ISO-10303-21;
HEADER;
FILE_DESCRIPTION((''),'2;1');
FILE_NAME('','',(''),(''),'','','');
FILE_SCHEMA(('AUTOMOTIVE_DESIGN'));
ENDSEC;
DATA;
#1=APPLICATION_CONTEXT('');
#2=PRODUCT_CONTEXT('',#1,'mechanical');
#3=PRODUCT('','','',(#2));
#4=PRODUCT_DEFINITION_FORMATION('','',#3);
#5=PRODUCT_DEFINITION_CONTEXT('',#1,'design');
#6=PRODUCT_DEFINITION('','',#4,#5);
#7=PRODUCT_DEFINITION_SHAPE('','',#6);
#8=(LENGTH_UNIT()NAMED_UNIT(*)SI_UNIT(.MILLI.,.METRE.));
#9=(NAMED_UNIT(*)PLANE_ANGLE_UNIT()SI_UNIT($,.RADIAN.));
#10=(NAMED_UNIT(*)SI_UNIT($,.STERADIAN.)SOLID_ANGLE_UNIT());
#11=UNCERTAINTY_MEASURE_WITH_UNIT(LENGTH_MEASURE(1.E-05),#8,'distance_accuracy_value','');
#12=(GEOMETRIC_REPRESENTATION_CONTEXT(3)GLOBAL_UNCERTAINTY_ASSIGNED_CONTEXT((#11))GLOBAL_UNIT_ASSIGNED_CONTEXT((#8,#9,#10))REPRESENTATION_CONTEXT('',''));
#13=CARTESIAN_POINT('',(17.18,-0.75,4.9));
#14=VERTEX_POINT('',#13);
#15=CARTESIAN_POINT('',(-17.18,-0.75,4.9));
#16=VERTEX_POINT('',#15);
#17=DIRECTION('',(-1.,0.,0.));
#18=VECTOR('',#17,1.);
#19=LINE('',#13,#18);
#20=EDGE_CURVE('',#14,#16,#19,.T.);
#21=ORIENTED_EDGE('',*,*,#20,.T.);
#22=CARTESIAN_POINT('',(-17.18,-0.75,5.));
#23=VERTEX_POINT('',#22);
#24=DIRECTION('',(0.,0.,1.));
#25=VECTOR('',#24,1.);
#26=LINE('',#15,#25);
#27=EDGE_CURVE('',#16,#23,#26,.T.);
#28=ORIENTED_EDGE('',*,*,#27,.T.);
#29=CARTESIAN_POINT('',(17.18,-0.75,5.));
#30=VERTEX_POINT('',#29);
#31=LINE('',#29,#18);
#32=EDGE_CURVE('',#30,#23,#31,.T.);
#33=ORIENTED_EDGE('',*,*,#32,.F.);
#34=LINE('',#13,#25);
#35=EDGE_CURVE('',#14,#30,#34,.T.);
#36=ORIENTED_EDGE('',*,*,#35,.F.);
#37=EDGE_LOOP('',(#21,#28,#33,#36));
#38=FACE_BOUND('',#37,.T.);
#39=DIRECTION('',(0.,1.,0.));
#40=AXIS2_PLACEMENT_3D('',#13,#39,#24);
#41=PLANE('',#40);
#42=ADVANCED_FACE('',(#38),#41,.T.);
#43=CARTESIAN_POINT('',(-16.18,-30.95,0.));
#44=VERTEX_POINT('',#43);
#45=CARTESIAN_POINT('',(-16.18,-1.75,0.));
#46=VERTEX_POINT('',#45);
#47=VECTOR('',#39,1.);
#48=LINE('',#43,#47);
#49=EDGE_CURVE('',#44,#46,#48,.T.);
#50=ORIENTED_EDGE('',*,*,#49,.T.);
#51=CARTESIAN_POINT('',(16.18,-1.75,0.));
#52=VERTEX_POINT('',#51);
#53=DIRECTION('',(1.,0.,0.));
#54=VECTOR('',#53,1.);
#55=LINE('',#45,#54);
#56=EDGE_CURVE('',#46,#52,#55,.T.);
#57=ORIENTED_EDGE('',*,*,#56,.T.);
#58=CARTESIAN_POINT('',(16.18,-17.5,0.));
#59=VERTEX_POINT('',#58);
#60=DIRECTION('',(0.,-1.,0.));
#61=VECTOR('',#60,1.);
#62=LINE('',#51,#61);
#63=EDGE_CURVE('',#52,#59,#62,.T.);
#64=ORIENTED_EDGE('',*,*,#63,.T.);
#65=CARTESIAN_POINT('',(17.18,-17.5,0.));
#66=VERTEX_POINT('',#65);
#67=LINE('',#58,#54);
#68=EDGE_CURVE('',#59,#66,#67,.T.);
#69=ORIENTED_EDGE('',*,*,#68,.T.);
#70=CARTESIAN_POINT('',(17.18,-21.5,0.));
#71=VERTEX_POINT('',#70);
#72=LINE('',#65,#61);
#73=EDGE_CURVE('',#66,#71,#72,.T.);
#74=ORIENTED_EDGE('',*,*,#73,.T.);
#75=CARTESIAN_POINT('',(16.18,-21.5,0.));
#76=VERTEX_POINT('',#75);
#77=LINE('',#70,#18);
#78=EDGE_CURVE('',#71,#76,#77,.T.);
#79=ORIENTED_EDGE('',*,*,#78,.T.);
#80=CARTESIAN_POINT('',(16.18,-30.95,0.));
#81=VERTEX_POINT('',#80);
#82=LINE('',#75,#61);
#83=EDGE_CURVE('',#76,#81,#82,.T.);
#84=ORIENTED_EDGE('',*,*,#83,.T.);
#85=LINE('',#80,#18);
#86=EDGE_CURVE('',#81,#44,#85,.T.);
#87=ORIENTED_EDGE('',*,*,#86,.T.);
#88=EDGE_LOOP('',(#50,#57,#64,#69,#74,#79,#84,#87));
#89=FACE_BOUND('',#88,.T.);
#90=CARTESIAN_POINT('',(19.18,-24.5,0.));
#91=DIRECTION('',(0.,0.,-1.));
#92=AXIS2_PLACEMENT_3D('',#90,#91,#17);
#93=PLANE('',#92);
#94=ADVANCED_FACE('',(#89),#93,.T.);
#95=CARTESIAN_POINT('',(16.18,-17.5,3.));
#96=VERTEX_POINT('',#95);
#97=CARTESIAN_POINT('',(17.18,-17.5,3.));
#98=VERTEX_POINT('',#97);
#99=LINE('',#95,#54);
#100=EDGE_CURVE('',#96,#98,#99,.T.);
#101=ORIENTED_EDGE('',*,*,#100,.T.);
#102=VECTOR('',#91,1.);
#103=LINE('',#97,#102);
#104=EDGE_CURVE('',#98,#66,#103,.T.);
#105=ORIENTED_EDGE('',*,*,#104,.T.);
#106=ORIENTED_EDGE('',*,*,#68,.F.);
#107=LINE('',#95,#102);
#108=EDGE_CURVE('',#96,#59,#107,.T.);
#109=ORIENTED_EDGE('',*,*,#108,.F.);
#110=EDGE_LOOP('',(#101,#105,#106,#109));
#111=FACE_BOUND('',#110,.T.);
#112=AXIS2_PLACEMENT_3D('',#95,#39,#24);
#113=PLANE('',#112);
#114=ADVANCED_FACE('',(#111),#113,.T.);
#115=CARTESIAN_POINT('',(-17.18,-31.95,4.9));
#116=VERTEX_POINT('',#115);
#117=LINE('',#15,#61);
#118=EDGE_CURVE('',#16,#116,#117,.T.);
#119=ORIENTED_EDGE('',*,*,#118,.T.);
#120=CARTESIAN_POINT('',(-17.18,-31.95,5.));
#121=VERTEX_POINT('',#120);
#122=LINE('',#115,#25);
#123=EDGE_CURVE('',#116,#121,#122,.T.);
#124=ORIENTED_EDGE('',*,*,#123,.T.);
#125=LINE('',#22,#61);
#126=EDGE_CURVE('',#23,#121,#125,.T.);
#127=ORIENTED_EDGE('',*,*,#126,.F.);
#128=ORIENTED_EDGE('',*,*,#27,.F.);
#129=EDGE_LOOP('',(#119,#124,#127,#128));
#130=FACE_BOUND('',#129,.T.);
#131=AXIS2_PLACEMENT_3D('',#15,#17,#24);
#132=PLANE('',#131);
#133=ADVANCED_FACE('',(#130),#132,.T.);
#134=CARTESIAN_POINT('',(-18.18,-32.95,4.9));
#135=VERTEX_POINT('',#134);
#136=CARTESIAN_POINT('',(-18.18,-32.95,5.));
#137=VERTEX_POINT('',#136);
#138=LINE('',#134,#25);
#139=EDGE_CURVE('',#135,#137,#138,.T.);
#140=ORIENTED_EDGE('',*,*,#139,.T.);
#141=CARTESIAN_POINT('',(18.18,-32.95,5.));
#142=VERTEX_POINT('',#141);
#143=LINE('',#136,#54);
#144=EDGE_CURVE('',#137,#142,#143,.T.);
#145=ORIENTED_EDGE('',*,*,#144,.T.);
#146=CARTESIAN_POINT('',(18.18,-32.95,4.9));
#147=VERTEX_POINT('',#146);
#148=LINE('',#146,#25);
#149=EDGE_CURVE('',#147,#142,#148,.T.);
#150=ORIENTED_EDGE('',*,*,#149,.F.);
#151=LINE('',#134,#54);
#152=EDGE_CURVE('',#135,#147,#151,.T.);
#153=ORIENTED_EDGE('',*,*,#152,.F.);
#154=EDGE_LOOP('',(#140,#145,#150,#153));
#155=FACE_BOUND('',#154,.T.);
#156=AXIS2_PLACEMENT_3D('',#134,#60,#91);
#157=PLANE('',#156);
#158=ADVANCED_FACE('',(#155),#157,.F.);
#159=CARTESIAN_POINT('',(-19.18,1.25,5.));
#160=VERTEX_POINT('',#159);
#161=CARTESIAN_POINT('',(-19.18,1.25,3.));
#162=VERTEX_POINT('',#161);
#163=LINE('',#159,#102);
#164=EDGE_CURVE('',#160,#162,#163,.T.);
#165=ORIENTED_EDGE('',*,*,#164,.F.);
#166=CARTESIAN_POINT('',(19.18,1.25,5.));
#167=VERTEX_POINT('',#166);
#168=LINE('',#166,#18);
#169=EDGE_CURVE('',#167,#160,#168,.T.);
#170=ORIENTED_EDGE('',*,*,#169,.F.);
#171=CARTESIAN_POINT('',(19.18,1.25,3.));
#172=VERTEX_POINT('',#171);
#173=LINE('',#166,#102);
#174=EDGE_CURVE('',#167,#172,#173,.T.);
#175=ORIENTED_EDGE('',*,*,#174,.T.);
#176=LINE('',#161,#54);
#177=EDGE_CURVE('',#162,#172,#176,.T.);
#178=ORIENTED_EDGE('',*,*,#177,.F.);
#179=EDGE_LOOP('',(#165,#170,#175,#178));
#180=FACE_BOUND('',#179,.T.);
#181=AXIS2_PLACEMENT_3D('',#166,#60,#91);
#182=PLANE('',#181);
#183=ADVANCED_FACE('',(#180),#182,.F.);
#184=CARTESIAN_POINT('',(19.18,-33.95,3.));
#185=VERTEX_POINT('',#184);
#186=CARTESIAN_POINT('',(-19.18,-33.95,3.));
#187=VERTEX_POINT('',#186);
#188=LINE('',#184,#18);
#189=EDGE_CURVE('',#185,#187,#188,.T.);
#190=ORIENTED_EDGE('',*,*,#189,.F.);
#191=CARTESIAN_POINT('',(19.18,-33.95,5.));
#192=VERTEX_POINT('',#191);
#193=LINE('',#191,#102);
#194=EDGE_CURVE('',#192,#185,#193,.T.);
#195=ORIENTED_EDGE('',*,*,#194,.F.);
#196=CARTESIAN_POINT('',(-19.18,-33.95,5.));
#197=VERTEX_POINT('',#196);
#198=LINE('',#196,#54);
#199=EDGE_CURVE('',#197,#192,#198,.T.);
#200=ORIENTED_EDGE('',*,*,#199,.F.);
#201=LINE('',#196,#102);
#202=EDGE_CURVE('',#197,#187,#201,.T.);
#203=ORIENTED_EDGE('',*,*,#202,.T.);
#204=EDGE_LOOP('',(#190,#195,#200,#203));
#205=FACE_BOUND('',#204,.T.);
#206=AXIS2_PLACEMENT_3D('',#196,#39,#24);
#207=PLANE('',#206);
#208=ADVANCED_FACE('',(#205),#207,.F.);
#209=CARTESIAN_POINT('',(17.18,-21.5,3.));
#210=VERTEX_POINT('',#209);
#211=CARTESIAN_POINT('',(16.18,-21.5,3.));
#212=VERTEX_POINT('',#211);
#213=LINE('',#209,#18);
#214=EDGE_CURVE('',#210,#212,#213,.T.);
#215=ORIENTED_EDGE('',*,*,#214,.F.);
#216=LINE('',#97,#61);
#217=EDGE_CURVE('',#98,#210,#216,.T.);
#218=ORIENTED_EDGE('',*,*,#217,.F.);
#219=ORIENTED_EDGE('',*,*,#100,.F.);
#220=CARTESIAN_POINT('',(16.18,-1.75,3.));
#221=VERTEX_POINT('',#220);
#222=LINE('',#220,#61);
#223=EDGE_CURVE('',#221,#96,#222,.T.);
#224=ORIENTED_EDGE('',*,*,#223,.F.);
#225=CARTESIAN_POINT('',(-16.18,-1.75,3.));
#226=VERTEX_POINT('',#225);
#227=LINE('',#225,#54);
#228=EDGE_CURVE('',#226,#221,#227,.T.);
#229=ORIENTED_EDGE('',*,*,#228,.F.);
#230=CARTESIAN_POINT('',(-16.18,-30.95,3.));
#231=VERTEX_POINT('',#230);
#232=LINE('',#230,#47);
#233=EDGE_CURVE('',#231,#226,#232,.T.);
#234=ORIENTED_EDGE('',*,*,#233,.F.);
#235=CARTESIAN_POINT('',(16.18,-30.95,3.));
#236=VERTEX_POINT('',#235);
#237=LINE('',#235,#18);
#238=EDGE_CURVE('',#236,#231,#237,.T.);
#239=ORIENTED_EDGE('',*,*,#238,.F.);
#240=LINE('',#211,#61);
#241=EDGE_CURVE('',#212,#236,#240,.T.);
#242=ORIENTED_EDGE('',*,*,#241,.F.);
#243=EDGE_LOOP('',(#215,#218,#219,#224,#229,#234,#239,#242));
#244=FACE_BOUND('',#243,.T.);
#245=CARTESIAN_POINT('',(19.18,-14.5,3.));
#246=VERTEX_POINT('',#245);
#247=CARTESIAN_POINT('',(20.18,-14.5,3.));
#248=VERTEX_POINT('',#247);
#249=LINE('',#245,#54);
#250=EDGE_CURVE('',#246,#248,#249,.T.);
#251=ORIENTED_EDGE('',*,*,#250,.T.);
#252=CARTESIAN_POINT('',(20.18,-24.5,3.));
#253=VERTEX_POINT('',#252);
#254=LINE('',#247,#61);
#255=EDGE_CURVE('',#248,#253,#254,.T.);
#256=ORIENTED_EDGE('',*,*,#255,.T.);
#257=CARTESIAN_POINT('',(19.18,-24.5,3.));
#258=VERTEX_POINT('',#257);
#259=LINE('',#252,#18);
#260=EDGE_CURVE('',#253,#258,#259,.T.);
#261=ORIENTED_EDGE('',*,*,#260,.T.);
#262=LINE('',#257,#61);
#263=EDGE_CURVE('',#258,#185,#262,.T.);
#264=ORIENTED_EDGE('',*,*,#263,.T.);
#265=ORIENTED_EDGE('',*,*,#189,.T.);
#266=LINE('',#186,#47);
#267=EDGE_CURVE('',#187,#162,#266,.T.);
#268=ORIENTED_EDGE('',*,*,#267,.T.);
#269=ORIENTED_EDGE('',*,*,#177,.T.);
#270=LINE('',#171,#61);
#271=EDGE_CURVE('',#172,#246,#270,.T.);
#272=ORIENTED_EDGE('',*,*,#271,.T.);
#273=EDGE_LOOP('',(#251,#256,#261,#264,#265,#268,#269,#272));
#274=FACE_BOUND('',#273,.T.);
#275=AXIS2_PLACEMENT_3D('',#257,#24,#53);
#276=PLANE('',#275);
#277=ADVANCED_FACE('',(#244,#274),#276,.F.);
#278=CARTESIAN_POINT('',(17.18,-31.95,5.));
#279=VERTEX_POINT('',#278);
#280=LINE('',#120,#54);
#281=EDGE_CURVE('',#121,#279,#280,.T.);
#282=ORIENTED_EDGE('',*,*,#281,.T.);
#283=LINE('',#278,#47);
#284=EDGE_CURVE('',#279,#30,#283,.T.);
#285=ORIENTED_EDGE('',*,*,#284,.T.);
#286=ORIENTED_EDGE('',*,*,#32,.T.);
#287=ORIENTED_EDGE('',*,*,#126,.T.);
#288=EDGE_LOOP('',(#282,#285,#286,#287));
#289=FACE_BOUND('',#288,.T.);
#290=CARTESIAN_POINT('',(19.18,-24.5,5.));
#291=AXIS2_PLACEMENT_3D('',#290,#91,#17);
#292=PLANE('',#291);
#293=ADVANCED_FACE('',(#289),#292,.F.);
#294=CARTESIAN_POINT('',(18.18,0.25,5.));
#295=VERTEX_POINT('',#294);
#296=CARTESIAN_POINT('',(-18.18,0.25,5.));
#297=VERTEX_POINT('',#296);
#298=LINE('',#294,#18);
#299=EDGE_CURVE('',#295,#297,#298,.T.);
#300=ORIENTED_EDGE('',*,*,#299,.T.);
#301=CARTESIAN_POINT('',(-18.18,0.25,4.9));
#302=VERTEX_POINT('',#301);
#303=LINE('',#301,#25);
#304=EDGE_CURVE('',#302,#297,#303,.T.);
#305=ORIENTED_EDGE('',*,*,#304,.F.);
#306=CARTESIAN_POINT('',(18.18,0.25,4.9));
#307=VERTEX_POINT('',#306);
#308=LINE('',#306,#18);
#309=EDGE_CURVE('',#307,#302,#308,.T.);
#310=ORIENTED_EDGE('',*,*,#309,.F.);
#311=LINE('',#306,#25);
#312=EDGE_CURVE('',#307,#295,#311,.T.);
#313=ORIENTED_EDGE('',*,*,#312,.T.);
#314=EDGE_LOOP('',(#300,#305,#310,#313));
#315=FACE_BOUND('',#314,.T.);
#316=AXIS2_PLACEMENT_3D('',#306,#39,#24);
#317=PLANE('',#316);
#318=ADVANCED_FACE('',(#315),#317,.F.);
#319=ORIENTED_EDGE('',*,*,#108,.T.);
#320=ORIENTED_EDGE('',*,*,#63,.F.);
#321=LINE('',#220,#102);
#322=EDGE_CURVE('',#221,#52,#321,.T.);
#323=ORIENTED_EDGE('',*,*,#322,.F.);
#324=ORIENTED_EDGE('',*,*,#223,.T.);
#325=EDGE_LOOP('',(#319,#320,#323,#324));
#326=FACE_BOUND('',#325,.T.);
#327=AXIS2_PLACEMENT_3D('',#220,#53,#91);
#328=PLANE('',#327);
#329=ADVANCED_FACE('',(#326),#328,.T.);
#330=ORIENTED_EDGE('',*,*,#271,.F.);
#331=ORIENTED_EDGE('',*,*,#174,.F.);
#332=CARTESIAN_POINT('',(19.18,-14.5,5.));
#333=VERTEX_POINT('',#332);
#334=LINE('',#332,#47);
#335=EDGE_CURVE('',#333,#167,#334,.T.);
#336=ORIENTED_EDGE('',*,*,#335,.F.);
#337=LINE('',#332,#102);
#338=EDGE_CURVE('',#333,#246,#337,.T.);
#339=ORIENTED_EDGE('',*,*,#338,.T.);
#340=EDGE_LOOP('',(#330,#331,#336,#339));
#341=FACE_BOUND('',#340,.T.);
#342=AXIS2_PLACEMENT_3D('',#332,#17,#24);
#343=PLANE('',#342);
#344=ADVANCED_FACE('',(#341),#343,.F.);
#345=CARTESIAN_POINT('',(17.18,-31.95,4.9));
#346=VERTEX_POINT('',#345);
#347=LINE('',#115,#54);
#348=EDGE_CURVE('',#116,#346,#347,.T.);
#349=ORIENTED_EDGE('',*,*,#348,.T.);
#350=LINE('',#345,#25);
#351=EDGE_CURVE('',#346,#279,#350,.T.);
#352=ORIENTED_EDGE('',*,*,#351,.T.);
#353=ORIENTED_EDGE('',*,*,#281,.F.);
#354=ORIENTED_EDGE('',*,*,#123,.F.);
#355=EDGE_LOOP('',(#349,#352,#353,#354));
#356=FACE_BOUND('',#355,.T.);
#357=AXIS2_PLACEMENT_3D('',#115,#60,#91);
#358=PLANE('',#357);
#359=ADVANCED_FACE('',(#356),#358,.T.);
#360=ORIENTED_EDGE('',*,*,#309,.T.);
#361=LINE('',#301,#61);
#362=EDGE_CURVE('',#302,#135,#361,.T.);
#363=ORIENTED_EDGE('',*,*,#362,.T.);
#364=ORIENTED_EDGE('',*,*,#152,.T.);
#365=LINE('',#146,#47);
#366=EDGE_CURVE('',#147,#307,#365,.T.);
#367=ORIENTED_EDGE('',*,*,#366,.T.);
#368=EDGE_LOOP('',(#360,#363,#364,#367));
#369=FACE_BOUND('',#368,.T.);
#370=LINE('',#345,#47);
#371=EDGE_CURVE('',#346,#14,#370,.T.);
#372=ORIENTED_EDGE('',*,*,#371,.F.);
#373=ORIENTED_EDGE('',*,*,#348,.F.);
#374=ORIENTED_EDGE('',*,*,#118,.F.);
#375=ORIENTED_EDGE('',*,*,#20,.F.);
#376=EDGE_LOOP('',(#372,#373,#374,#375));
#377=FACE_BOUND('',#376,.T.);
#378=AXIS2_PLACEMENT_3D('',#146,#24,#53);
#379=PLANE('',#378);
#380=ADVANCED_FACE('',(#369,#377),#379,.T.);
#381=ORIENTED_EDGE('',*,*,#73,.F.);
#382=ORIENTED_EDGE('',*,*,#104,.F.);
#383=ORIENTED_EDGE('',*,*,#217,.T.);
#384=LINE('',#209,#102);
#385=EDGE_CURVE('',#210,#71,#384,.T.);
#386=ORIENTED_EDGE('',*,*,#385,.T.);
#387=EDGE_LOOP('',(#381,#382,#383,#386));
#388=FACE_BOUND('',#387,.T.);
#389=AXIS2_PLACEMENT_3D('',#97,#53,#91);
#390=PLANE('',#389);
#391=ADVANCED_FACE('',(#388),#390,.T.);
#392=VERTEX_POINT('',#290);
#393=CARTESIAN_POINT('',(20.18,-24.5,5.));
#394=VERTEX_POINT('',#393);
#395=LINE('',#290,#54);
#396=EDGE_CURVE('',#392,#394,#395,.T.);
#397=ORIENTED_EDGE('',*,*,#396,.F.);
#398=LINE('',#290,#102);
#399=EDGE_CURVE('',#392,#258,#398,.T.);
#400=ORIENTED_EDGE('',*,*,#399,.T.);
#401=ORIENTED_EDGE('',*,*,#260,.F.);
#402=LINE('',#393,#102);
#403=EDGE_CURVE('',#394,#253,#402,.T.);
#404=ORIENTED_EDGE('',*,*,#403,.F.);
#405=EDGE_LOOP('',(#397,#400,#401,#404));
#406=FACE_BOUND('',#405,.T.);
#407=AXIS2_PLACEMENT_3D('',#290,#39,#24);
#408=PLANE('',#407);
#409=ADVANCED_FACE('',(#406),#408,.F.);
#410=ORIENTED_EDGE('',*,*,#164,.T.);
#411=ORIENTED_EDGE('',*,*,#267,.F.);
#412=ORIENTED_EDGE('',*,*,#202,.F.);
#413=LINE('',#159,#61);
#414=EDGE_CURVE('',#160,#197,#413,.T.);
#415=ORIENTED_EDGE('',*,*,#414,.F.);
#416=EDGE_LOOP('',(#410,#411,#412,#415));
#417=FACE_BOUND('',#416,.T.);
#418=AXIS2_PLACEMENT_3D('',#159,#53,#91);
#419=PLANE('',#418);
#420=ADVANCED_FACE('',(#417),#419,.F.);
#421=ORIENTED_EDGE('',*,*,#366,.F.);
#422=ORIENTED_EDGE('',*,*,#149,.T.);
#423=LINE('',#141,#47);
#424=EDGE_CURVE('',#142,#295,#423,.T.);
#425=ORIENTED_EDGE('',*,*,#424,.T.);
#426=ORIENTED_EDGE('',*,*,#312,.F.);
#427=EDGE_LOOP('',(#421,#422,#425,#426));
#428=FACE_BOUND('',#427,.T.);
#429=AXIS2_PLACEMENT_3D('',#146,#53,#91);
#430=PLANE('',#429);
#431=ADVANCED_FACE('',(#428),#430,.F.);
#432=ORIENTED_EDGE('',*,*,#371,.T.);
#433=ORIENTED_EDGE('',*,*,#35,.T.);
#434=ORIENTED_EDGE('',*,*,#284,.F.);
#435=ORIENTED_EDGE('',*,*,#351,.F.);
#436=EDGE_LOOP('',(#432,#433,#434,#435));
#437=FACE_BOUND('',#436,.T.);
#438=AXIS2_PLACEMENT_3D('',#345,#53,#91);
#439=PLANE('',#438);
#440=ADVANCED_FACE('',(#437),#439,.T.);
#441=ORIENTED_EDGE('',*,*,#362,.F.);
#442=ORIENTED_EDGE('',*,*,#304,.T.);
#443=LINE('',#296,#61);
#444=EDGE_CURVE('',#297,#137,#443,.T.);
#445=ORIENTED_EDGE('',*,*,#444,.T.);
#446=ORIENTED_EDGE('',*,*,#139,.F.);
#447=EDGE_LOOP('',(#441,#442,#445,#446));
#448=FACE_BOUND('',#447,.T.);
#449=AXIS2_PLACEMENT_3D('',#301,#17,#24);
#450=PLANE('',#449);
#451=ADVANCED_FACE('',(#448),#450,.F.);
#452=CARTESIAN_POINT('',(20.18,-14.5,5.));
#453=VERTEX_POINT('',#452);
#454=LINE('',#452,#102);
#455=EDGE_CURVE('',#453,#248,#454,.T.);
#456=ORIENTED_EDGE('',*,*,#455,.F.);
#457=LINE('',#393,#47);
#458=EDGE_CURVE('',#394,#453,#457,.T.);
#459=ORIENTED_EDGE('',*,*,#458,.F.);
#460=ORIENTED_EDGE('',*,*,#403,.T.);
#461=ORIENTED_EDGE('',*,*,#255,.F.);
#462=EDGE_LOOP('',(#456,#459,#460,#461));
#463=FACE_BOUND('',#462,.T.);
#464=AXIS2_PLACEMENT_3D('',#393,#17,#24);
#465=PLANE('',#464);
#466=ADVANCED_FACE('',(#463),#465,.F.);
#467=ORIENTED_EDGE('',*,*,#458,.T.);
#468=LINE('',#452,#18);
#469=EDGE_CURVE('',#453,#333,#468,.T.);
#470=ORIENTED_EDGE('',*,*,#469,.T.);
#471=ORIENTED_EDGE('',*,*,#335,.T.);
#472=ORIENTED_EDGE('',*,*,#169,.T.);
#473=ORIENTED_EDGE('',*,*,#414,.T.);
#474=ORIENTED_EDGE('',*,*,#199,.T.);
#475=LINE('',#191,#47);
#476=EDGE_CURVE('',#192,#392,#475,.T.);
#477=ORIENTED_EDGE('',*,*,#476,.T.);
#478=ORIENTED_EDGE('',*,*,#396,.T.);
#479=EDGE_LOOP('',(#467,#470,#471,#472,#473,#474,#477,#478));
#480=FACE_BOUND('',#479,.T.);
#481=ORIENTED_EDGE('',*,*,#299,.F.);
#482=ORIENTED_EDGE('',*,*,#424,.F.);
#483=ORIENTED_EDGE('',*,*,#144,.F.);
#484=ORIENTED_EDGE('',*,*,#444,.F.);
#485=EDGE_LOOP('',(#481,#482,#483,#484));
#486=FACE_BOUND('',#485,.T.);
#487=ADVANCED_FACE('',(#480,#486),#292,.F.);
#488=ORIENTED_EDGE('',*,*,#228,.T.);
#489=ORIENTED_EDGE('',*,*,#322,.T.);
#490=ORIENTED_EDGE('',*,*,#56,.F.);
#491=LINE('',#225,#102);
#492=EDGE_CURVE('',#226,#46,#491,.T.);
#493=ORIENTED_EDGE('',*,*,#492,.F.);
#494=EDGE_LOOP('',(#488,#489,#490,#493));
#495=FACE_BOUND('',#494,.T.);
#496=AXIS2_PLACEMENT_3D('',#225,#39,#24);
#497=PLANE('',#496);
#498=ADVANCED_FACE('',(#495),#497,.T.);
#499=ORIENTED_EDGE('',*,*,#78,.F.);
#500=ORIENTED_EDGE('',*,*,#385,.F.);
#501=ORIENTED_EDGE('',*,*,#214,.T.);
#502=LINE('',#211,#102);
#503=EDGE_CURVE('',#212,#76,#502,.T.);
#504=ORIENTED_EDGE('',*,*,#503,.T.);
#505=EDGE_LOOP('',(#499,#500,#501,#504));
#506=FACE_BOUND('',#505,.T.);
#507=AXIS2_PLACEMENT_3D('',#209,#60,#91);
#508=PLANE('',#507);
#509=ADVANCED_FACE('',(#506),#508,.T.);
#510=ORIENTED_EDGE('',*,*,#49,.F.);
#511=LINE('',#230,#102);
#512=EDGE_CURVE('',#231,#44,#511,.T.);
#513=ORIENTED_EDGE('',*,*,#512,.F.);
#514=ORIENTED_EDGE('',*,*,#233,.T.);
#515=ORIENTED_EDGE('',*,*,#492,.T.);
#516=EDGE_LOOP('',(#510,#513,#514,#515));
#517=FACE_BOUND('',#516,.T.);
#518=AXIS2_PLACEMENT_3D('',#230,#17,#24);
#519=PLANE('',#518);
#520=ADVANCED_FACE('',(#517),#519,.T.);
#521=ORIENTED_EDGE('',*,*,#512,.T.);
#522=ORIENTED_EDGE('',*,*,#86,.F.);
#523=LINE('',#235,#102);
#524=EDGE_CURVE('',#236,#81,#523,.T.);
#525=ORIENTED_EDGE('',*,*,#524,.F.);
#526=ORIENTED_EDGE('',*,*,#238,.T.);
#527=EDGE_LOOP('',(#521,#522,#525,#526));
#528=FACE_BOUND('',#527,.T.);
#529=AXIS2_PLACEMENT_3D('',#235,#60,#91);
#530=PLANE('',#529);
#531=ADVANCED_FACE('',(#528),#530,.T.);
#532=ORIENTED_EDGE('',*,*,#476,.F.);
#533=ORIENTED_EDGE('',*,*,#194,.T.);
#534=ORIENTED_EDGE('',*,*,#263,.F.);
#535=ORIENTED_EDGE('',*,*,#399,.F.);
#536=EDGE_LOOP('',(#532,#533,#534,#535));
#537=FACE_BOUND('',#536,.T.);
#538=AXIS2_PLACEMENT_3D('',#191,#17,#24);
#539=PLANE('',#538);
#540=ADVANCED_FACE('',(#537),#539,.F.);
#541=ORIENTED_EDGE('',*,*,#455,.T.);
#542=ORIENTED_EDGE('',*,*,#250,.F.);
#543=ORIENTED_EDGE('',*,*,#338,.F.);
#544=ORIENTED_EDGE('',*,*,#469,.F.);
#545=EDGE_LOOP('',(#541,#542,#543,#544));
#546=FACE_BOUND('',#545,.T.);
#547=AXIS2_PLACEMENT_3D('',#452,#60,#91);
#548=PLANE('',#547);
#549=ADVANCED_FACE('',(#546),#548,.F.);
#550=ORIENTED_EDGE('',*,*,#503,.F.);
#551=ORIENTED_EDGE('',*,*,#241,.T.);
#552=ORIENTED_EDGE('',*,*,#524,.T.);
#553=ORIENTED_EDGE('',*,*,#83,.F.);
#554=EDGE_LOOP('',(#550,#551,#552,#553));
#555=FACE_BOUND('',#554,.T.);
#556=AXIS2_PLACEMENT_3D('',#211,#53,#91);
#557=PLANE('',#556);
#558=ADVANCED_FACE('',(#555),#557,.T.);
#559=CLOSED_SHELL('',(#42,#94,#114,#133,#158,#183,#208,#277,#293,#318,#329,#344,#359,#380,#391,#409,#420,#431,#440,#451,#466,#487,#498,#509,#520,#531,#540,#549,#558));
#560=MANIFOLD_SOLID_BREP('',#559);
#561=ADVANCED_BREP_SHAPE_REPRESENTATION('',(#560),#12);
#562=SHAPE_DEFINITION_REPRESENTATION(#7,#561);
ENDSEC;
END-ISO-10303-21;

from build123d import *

# Parameters (mm, degrees)
EXTRUDE1_DEPTH     = 5
CUT_EXTRUDE1_DEPTH = 3
SKETCH1_W          = 36.36
SKETCH1_H          = 33.2
SKETCH1_W_2        = 34.36
SKETCH1_H_2        = 31.2
CUT_EXTRUDE2_DEPTH = 0.1


with BuildPart() as part:
    # COMPONENT_OUTLINE → Extrude1 (new body)
    with BuildSketch(Plane.XY):
        Polygon((19.18, -24.5), (20.18, -24.5), (20.18, -14.5), (19.18, -14.5), (19.18, 1.25), (-19.18, 1.25), (-19.18, -33.95), (19.18, -33.95), align=None)
    extrude(amount=EXTRUDE1_DEPTH)

    # Sketch2 → Cut-Extrude1 (cut)
    with BuildSketch(Plane(origin=(0, 0, 0), x_dir=(-1, 0, 0), z_dir=(0, 0, -1))):
        Polygon((-19.18, -24.5), (-19.18, -33.95), (19.18, -33.95), (19.18, 1.25), (-19.18, 1.25), (-19.18, -14.5), (-20.18, -14.5), (-20.18, -24.5), align=None)
        Polygon((-16.18, -21.5), (-16.18, -30.95), (16.18, -30.95), (16.18, -1.75), (-16.18, -1.75), (-16.18, -17.5), (-17.18, -17.5), (-17.18, -21.5), align=None, mode=Mode.SUBTRACT)
    extrude(amount=-CUT_EXTRUDE1_DEPTH, mode=Mode.SUBTRACT)

    # Sketch1 → Cut-Extrude2 (cut)
    with BuildSketch(Plane.XY.offset(5)):
        with Locations((0, -16.35)):
            Rectangle(SKETCH1_W, SKETCH1_H)
        with Locations((0, -16.35)):
            Rectangle(SKETCH1_W_2, SKETCH1_H_2, mode=Mode.SUBTRACT)
    extrude(amount=-CUT_EXTRUDE2_DEPTH, mode=Mode.SUBTRACT)


solid = part.part
